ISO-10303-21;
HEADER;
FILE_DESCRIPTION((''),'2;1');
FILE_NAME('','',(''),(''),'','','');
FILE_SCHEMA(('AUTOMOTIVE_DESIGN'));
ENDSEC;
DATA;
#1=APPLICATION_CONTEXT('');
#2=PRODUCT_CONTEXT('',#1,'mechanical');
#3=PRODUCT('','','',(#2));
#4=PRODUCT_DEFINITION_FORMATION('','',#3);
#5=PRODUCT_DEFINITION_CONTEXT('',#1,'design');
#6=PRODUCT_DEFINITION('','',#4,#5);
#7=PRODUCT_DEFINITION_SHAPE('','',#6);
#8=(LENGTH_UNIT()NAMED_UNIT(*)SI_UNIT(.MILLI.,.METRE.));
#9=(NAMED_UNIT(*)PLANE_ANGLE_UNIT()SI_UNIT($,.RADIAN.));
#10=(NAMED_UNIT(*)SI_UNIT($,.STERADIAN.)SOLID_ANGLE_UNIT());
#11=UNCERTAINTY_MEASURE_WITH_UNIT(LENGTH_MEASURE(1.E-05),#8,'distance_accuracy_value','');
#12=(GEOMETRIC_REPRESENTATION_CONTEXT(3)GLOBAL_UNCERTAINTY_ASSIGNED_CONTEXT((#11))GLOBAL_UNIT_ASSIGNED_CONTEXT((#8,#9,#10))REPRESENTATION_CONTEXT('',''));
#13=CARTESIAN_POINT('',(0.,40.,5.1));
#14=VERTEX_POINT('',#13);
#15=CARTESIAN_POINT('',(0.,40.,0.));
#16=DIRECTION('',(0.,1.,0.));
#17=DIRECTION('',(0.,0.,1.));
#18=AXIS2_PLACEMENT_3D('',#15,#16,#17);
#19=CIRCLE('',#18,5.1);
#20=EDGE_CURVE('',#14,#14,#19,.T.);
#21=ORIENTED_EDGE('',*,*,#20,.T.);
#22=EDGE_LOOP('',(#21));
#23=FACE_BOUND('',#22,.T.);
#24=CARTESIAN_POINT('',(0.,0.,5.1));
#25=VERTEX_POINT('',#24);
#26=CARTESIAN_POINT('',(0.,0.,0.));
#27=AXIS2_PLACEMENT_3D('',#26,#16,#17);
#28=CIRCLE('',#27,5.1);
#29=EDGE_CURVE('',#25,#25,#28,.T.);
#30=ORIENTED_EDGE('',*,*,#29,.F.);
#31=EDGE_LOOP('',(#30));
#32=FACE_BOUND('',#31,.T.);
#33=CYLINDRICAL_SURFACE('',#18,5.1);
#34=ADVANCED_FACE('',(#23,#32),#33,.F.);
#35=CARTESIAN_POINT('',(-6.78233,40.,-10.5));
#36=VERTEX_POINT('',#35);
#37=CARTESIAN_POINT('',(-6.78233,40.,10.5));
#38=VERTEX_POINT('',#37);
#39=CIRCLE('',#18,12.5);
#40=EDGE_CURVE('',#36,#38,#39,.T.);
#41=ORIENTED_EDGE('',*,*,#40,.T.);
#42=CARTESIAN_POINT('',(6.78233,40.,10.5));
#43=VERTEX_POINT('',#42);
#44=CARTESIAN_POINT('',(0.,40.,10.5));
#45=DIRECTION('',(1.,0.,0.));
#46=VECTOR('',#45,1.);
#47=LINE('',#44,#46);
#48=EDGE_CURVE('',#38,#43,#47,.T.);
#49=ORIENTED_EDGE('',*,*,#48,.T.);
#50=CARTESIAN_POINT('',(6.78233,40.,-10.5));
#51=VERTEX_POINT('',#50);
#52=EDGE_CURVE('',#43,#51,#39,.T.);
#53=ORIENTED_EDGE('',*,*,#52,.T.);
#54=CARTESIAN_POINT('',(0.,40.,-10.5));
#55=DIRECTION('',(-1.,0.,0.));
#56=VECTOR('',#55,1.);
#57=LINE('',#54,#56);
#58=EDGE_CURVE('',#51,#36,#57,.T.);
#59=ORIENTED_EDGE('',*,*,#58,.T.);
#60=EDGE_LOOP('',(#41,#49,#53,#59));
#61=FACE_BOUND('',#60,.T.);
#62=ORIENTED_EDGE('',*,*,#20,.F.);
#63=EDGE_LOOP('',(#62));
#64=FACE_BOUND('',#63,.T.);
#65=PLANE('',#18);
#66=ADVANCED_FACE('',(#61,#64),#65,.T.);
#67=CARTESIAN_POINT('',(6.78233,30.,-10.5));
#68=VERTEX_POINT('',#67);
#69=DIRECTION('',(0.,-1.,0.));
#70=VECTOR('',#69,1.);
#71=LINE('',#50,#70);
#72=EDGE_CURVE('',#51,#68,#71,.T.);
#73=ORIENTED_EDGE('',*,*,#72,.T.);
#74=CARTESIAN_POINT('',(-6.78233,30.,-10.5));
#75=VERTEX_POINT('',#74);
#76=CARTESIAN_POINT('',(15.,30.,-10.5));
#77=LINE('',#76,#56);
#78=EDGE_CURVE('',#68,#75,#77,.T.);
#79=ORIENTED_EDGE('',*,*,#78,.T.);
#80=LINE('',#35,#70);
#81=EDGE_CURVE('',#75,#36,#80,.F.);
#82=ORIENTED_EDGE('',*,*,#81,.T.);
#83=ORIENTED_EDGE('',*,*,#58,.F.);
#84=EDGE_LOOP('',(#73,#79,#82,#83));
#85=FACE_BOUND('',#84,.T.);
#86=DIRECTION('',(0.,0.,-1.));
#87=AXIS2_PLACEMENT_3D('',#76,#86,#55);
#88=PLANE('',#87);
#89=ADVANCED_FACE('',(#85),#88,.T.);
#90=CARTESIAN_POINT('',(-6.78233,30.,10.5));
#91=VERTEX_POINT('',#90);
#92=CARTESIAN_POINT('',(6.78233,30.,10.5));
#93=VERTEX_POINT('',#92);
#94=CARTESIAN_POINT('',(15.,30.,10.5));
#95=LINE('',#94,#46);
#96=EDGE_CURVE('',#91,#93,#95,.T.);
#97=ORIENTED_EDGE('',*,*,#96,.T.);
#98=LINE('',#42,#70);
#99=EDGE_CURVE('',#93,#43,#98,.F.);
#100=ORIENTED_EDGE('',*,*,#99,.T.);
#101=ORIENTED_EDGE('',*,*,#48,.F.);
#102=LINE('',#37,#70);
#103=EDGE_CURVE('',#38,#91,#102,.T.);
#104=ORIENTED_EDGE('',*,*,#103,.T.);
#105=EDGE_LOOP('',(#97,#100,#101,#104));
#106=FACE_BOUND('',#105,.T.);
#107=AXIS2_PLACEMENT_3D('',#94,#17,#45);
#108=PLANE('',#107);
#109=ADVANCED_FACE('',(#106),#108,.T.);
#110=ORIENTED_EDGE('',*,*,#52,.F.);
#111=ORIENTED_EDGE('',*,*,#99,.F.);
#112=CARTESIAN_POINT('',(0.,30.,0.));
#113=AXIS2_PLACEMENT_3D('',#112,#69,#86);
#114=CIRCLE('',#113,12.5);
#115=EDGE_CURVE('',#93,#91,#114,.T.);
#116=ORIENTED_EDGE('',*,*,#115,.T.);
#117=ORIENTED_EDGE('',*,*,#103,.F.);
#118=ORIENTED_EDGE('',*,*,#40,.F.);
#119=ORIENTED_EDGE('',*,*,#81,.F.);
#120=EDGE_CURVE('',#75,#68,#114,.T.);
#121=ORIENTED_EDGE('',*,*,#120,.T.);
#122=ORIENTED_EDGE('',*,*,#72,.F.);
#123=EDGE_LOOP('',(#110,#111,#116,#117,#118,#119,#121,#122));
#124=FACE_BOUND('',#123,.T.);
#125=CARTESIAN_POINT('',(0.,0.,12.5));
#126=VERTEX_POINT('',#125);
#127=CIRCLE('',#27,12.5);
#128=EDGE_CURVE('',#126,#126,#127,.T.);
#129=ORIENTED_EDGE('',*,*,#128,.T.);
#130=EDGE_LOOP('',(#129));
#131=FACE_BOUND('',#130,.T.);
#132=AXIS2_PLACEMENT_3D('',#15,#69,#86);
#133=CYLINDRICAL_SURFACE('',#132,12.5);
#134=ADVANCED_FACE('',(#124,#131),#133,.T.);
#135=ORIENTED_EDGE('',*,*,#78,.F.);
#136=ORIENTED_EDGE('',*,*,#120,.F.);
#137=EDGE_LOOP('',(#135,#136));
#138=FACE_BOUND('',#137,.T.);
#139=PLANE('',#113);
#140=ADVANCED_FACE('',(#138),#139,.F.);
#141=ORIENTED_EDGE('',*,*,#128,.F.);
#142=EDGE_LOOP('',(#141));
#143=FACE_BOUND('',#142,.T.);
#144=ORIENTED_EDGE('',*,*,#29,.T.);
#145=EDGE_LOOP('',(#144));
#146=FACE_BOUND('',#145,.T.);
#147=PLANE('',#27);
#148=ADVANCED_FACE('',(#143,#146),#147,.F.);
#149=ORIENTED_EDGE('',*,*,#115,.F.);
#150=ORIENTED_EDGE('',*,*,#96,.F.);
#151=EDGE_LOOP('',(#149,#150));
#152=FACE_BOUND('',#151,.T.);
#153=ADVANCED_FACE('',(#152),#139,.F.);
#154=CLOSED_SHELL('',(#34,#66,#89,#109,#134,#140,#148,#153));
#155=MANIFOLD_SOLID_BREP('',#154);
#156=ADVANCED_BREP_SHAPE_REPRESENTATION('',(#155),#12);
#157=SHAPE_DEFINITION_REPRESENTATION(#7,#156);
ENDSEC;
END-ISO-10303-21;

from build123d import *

# Parameters (mm, degrees)
SKETCH_1_R          = 12.5
EXTRUDE_1_DEPTH     = 40
SKETCH_2_W          = 36
SKETCH_2_H          = 27
SKETCH_2_W_2        = 30
SKETCH_2_H_2        = 21
CUT_EXTRUDE_1_DEPTH = 10
HOLE_WIZARD_M12_1_D = 10.2


with BuildPart() as part:
    # 草图1 → 凸台-拉伸1 (new body)
    with BuildSketch(Plane(origin=(0, 0, 0), x_dir=(1, 0, 0), z_dir=(0, 1, 0))):
        with Locations(Location((0, 0, 0), (0, 0, 270))):
            Circle(SKETCH_1_R)
    extrude(amount=EXTRUDE_1_DEPTH)

    # 草图2 → 切除-拉伸1 (cut)
    with BuildSketch(Plane(origin=(0, 40, 0), x_dir=(1, 0, 0), z_dir=(0, 1, 0))):
        Rectangle(SKETCH_2_W, SKETCH_2_H)
        Rectangle(SKETCH_2_W_2, SKETCH_2_H_2, mode=Mode.SUBTRACT)
    extrude(amount=-CUT_EXTRUDE_1_DEPTH, mode=Mode.SUBTRACT)

    # M12 螺纹孔1 (through all)
    with Locations(Plane(origin=(0, 40, 0), x_dir=(1, 0, 0), z_dir=(0, 1, 0))):
        with Locations((0, 0)):
            Hole(HOLE_WIZARD_M12_1_D / 2)


solid = part.part
